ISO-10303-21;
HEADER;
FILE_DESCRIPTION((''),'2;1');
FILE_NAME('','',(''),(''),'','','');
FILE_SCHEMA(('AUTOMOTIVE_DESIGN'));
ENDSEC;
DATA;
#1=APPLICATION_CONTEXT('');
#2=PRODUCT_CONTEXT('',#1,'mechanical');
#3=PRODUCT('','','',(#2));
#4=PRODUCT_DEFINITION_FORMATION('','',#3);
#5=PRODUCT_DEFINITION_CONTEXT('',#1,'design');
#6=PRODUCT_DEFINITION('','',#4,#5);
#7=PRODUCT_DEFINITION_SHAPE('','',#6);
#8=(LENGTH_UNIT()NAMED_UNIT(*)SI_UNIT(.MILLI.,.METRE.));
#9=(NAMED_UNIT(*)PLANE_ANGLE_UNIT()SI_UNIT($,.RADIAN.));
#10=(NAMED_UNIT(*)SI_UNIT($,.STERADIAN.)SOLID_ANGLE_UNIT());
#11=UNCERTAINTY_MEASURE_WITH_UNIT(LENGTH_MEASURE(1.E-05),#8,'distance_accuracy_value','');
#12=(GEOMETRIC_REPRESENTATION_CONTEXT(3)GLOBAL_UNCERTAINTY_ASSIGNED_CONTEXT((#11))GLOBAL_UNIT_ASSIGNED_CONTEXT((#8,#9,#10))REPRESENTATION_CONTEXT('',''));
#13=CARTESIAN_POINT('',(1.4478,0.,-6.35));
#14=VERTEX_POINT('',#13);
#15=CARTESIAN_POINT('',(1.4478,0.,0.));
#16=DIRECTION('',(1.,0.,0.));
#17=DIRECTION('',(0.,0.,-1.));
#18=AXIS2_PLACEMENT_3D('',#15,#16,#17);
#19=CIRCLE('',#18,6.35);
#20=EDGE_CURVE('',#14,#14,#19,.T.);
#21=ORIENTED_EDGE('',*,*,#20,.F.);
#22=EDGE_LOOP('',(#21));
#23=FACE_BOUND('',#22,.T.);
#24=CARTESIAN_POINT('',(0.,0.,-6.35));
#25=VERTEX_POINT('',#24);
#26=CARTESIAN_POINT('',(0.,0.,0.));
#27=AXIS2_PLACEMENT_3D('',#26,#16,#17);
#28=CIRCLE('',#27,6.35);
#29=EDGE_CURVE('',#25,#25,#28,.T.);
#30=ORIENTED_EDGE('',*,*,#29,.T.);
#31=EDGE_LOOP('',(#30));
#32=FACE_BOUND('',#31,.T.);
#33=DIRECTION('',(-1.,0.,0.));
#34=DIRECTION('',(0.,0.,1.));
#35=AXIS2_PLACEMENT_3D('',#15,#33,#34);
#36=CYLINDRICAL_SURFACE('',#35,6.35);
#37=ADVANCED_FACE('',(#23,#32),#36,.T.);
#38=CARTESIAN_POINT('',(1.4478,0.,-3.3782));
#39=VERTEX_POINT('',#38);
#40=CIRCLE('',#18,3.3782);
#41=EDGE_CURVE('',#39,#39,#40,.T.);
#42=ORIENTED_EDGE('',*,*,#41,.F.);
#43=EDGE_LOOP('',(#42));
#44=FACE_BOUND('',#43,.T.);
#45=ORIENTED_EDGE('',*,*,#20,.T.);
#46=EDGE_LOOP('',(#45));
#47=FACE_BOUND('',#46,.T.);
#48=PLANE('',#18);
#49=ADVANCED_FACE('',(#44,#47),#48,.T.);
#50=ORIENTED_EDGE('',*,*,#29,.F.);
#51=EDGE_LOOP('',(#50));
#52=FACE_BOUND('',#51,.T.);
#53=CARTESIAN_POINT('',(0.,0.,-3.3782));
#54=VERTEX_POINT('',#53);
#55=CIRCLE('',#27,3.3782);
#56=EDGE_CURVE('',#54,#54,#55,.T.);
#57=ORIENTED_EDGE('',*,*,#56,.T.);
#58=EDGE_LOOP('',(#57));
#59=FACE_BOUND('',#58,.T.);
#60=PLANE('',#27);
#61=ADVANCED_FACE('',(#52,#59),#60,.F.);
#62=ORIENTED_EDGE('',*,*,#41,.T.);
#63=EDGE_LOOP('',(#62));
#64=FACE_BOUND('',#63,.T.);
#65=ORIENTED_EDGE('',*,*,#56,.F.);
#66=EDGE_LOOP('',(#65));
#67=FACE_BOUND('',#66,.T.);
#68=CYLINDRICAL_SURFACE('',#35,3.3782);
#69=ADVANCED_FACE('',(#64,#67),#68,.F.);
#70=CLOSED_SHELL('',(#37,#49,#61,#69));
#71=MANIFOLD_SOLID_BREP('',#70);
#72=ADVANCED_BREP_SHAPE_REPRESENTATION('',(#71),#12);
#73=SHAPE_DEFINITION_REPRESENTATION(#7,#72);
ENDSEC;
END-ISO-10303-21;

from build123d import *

# Parameters (mm, degrees)
SKETCH1_R           = 6.35
SKETCH1_R_2         = 3.3782
BOSS_EXTRUDE1_DEPTH = 1.4478


with BuildPart() as part:
    # Sketch1 → Boss-Extrude1 (new body)
    with BuildSketch(Plane(origin=(0, 0, 0), x_dir=(0, 0, -1), z_dir=(1, 0, 0))):
        Circle(SKETCH1_R)
        Circle(SKETCH1_R_2, mode=Mode.SUBTRACT)
    extrude(amount=BOSS_EXTRUDE1_DEPTH)


solid = part.part
